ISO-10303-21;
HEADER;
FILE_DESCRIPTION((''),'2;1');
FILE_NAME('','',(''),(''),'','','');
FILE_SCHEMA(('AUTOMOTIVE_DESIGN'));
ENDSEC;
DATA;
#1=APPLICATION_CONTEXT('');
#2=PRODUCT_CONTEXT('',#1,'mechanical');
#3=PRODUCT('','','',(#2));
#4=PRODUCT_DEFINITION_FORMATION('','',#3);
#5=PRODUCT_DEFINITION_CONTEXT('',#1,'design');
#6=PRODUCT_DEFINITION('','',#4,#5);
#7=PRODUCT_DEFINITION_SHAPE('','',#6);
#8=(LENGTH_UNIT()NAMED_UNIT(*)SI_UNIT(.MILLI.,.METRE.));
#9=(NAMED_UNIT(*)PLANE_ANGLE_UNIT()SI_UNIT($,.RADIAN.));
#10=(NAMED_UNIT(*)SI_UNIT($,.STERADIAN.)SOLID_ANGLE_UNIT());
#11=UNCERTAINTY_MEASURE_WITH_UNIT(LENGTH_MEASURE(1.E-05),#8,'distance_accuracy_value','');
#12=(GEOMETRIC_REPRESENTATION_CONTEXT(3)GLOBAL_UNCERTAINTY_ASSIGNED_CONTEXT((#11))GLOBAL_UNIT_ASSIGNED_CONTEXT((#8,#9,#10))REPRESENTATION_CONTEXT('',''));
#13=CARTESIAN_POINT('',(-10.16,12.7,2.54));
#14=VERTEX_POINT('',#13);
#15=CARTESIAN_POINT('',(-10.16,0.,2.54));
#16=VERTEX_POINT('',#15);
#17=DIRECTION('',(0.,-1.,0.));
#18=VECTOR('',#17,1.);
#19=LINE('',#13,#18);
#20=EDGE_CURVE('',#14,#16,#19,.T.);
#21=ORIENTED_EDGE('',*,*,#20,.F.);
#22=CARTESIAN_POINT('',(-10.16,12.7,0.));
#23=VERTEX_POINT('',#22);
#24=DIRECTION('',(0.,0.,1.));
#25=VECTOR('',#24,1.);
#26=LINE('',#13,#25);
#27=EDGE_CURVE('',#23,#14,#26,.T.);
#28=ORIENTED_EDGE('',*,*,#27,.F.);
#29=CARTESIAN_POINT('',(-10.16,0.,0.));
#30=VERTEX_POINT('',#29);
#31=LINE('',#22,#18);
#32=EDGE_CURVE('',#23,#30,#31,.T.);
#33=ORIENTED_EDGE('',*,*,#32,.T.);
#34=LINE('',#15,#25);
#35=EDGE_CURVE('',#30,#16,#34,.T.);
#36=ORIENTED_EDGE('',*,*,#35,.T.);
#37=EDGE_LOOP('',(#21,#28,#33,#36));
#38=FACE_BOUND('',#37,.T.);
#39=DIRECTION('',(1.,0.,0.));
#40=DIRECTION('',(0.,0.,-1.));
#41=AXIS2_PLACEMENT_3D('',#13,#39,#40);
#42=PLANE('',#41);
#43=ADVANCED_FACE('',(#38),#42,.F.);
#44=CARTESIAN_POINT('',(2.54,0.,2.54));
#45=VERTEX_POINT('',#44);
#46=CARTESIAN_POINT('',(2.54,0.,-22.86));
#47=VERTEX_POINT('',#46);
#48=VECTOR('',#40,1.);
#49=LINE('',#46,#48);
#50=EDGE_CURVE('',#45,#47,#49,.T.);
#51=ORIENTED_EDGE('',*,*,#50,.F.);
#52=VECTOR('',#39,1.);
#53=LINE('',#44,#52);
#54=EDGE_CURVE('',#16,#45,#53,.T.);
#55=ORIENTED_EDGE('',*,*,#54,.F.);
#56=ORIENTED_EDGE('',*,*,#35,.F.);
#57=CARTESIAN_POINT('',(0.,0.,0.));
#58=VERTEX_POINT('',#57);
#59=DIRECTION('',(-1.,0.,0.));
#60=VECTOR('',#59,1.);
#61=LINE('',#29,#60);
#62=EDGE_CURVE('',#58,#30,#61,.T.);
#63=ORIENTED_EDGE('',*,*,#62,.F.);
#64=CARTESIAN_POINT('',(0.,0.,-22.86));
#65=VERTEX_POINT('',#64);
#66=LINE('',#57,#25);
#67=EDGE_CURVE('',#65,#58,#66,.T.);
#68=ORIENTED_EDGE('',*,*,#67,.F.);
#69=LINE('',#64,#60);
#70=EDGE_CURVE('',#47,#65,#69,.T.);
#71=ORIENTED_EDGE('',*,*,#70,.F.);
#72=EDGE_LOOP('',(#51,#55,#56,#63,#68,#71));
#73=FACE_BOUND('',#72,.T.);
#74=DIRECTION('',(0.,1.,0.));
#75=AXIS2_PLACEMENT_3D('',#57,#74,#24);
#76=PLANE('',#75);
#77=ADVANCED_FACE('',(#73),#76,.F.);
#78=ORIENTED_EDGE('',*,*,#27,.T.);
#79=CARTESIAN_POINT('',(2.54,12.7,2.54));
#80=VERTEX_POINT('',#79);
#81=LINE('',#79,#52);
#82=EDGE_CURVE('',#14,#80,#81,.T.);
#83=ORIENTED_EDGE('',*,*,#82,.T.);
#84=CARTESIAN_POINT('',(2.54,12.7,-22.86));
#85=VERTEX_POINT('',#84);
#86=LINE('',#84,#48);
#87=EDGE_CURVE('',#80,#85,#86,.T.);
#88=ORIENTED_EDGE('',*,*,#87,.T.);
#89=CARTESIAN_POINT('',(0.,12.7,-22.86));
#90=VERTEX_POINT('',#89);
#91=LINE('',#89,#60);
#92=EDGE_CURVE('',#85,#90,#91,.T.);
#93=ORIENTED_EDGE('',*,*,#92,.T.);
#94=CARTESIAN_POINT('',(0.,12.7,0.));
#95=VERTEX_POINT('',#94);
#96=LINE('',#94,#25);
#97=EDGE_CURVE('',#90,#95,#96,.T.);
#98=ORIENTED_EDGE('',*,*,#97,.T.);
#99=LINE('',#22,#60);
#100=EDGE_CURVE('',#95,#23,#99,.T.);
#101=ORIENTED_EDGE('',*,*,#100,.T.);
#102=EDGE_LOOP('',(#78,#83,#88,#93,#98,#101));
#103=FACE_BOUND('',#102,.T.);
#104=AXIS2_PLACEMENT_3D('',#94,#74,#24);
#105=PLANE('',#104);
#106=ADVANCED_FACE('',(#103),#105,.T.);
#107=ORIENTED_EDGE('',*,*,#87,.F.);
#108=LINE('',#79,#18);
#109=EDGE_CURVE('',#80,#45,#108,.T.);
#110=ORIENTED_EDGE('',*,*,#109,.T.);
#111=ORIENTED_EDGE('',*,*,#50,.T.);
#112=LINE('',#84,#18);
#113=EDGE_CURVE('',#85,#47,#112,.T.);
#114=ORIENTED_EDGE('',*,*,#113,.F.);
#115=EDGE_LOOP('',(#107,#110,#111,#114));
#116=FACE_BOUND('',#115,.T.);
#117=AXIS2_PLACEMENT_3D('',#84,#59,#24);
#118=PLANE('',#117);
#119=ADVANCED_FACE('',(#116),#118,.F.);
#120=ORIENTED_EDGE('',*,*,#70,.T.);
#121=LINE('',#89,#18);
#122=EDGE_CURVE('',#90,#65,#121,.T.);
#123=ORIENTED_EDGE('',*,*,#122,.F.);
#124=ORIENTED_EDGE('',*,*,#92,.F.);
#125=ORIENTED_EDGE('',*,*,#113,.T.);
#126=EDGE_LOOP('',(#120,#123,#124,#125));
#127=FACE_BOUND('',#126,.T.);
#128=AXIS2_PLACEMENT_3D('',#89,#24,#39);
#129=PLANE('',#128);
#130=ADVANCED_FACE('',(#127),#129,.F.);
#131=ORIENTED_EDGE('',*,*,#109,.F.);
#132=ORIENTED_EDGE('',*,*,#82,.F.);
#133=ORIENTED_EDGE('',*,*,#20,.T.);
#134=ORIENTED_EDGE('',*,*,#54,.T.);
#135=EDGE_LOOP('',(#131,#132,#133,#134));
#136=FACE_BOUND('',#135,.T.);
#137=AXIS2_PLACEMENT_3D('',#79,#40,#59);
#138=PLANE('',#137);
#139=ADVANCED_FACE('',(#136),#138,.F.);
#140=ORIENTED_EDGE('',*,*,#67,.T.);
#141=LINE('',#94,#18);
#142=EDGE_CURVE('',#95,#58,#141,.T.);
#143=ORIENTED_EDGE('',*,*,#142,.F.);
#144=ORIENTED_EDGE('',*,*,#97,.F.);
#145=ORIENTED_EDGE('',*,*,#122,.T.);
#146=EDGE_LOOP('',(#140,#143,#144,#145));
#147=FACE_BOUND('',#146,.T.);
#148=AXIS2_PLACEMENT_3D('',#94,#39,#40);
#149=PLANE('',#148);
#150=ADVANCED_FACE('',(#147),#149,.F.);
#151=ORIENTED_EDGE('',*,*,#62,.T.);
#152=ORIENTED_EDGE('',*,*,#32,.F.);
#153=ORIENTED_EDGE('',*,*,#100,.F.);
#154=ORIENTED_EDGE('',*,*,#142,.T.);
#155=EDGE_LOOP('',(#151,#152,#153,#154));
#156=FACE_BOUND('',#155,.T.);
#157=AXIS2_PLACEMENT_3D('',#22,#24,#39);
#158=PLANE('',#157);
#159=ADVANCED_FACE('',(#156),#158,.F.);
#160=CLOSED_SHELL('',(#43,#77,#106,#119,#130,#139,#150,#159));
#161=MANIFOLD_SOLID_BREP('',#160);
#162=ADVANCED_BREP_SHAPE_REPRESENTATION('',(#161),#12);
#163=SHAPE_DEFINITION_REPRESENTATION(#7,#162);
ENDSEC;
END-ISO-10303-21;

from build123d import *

# Parameters (mm, degrees)
BOSS_EXTRUDE1_DEPTH = 12.7


with BuildPart() as part:
    # Sketch2 → Boss-Extrude1 (new body)
    with BuildSketch(Plane(origin=(0, 0, 0), x_dir=(1, 0, 0), z_dir=(0, 1, 0))):
        Polygon((0, 0), (0, 22.86), (2.54, 22.86), (2.54, -2.54), (-10.16, -2.54), (-10.16, 0), align=None)
    extrude(amount=BOSS_EXTRUDE1_DEPTH)


solid = part.part
